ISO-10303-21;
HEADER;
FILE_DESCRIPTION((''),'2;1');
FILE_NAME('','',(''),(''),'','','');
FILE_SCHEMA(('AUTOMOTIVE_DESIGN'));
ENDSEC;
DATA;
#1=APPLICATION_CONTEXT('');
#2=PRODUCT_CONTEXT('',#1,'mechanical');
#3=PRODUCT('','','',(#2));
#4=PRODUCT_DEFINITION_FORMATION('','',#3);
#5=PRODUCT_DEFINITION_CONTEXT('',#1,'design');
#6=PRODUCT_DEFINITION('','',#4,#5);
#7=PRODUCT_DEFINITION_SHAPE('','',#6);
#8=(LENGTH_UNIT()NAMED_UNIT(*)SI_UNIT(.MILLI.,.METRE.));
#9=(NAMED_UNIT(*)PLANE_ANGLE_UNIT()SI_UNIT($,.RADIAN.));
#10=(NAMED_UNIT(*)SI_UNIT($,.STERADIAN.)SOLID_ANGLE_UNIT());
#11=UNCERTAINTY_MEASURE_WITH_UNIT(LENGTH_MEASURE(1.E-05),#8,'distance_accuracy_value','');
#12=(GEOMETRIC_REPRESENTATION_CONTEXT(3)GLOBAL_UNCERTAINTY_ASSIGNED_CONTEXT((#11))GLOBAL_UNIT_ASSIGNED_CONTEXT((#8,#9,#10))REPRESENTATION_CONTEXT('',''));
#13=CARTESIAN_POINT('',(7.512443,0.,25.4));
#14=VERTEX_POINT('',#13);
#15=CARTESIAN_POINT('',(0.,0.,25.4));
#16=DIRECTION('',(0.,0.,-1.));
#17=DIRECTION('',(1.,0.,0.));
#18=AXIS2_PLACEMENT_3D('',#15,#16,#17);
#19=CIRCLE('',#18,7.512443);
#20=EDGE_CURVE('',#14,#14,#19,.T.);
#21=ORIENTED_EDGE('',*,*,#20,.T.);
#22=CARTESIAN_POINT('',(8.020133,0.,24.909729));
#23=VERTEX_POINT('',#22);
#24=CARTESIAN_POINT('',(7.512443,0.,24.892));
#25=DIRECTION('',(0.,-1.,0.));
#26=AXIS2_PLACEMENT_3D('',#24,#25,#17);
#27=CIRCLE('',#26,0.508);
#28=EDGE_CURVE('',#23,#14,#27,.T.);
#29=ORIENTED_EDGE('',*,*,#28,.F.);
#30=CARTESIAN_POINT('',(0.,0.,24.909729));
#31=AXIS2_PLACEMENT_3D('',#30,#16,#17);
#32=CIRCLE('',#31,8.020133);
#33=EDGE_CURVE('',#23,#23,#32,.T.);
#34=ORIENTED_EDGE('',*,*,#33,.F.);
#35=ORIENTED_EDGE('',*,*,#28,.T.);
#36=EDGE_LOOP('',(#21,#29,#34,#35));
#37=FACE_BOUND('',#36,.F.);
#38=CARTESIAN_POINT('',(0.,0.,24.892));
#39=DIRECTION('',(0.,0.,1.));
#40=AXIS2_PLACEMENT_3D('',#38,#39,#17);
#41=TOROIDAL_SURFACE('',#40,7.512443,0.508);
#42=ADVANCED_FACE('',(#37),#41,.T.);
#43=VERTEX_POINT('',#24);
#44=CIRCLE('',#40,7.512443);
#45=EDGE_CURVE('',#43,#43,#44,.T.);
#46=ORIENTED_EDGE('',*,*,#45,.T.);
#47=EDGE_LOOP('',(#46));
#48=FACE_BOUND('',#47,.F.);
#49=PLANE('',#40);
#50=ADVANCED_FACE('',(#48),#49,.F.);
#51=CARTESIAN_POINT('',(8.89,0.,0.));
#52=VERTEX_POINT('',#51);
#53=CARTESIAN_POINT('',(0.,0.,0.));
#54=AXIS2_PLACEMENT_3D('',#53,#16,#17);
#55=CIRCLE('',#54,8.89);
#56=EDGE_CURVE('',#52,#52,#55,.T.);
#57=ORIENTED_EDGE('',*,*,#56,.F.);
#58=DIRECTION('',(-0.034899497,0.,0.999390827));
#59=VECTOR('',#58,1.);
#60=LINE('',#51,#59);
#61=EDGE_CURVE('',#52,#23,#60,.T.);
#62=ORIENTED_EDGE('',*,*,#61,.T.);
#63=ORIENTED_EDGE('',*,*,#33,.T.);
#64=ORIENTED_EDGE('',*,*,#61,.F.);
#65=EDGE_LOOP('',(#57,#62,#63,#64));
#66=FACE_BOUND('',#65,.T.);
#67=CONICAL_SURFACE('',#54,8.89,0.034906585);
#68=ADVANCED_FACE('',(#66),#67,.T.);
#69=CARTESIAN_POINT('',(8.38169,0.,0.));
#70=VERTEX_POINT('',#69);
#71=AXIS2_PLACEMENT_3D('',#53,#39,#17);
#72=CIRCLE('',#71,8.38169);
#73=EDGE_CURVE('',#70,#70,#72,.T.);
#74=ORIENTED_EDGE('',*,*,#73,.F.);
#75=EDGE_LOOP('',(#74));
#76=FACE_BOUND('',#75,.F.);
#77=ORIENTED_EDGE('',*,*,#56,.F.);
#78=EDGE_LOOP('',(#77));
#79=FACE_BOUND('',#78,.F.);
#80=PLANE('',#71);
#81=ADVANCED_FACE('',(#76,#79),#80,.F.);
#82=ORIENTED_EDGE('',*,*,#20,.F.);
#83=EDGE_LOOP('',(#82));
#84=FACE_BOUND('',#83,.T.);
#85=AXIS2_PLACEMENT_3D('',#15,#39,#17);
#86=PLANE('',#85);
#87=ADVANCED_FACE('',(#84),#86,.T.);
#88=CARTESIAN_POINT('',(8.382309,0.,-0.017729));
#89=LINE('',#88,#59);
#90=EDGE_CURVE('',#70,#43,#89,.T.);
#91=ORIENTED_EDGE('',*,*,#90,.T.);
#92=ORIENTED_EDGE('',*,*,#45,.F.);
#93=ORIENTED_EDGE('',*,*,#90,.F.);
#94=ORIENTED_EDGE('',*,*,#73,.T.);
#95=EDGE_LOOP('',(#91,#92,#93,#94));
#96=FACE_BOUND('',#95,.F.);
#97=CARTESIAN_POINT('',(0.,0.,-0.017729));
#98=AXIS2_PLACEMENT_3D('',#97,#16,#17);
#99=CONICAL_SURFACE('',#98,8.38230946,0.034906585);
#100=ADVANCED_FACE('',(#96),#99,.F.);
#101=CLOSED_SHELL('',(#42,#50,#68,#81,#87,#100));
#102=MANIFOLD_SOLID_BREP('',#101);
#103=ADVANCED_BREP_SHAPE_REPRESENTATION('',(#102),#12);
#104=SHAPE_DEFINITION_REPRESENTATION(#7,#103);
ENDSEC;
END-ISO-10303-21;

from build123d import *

# Parameters (mm, degrees)
F0_R     = 8.89
F1_DEPTH = 25.4
F1_TAPER = 2
F2_T     = -0.508
F3_R     = 0.508


with BuildPart() as f1:
    # F0 (on Top) → F1 (new body)
    with BuildSketch(Plane.XY):
        Circle(F0_R)
    extrude(amount=F1_DEPTH, taper=F1_TAPER)

    # F2
    f2_openings = [f1.faces().sort_by_distance(p)[0] for p in [
        (0, 0, 0),
    ]]
    offset(amount=F2_T, openings=f2_openings)

    # F3
    f3_edges = [f1.edges().sort_by_distance(p)[0] for p in [
        (-8.003012, 0, 25.4),
    ]]
    fillet(f3_edges, radius=F3_R)


solid = f1.part
